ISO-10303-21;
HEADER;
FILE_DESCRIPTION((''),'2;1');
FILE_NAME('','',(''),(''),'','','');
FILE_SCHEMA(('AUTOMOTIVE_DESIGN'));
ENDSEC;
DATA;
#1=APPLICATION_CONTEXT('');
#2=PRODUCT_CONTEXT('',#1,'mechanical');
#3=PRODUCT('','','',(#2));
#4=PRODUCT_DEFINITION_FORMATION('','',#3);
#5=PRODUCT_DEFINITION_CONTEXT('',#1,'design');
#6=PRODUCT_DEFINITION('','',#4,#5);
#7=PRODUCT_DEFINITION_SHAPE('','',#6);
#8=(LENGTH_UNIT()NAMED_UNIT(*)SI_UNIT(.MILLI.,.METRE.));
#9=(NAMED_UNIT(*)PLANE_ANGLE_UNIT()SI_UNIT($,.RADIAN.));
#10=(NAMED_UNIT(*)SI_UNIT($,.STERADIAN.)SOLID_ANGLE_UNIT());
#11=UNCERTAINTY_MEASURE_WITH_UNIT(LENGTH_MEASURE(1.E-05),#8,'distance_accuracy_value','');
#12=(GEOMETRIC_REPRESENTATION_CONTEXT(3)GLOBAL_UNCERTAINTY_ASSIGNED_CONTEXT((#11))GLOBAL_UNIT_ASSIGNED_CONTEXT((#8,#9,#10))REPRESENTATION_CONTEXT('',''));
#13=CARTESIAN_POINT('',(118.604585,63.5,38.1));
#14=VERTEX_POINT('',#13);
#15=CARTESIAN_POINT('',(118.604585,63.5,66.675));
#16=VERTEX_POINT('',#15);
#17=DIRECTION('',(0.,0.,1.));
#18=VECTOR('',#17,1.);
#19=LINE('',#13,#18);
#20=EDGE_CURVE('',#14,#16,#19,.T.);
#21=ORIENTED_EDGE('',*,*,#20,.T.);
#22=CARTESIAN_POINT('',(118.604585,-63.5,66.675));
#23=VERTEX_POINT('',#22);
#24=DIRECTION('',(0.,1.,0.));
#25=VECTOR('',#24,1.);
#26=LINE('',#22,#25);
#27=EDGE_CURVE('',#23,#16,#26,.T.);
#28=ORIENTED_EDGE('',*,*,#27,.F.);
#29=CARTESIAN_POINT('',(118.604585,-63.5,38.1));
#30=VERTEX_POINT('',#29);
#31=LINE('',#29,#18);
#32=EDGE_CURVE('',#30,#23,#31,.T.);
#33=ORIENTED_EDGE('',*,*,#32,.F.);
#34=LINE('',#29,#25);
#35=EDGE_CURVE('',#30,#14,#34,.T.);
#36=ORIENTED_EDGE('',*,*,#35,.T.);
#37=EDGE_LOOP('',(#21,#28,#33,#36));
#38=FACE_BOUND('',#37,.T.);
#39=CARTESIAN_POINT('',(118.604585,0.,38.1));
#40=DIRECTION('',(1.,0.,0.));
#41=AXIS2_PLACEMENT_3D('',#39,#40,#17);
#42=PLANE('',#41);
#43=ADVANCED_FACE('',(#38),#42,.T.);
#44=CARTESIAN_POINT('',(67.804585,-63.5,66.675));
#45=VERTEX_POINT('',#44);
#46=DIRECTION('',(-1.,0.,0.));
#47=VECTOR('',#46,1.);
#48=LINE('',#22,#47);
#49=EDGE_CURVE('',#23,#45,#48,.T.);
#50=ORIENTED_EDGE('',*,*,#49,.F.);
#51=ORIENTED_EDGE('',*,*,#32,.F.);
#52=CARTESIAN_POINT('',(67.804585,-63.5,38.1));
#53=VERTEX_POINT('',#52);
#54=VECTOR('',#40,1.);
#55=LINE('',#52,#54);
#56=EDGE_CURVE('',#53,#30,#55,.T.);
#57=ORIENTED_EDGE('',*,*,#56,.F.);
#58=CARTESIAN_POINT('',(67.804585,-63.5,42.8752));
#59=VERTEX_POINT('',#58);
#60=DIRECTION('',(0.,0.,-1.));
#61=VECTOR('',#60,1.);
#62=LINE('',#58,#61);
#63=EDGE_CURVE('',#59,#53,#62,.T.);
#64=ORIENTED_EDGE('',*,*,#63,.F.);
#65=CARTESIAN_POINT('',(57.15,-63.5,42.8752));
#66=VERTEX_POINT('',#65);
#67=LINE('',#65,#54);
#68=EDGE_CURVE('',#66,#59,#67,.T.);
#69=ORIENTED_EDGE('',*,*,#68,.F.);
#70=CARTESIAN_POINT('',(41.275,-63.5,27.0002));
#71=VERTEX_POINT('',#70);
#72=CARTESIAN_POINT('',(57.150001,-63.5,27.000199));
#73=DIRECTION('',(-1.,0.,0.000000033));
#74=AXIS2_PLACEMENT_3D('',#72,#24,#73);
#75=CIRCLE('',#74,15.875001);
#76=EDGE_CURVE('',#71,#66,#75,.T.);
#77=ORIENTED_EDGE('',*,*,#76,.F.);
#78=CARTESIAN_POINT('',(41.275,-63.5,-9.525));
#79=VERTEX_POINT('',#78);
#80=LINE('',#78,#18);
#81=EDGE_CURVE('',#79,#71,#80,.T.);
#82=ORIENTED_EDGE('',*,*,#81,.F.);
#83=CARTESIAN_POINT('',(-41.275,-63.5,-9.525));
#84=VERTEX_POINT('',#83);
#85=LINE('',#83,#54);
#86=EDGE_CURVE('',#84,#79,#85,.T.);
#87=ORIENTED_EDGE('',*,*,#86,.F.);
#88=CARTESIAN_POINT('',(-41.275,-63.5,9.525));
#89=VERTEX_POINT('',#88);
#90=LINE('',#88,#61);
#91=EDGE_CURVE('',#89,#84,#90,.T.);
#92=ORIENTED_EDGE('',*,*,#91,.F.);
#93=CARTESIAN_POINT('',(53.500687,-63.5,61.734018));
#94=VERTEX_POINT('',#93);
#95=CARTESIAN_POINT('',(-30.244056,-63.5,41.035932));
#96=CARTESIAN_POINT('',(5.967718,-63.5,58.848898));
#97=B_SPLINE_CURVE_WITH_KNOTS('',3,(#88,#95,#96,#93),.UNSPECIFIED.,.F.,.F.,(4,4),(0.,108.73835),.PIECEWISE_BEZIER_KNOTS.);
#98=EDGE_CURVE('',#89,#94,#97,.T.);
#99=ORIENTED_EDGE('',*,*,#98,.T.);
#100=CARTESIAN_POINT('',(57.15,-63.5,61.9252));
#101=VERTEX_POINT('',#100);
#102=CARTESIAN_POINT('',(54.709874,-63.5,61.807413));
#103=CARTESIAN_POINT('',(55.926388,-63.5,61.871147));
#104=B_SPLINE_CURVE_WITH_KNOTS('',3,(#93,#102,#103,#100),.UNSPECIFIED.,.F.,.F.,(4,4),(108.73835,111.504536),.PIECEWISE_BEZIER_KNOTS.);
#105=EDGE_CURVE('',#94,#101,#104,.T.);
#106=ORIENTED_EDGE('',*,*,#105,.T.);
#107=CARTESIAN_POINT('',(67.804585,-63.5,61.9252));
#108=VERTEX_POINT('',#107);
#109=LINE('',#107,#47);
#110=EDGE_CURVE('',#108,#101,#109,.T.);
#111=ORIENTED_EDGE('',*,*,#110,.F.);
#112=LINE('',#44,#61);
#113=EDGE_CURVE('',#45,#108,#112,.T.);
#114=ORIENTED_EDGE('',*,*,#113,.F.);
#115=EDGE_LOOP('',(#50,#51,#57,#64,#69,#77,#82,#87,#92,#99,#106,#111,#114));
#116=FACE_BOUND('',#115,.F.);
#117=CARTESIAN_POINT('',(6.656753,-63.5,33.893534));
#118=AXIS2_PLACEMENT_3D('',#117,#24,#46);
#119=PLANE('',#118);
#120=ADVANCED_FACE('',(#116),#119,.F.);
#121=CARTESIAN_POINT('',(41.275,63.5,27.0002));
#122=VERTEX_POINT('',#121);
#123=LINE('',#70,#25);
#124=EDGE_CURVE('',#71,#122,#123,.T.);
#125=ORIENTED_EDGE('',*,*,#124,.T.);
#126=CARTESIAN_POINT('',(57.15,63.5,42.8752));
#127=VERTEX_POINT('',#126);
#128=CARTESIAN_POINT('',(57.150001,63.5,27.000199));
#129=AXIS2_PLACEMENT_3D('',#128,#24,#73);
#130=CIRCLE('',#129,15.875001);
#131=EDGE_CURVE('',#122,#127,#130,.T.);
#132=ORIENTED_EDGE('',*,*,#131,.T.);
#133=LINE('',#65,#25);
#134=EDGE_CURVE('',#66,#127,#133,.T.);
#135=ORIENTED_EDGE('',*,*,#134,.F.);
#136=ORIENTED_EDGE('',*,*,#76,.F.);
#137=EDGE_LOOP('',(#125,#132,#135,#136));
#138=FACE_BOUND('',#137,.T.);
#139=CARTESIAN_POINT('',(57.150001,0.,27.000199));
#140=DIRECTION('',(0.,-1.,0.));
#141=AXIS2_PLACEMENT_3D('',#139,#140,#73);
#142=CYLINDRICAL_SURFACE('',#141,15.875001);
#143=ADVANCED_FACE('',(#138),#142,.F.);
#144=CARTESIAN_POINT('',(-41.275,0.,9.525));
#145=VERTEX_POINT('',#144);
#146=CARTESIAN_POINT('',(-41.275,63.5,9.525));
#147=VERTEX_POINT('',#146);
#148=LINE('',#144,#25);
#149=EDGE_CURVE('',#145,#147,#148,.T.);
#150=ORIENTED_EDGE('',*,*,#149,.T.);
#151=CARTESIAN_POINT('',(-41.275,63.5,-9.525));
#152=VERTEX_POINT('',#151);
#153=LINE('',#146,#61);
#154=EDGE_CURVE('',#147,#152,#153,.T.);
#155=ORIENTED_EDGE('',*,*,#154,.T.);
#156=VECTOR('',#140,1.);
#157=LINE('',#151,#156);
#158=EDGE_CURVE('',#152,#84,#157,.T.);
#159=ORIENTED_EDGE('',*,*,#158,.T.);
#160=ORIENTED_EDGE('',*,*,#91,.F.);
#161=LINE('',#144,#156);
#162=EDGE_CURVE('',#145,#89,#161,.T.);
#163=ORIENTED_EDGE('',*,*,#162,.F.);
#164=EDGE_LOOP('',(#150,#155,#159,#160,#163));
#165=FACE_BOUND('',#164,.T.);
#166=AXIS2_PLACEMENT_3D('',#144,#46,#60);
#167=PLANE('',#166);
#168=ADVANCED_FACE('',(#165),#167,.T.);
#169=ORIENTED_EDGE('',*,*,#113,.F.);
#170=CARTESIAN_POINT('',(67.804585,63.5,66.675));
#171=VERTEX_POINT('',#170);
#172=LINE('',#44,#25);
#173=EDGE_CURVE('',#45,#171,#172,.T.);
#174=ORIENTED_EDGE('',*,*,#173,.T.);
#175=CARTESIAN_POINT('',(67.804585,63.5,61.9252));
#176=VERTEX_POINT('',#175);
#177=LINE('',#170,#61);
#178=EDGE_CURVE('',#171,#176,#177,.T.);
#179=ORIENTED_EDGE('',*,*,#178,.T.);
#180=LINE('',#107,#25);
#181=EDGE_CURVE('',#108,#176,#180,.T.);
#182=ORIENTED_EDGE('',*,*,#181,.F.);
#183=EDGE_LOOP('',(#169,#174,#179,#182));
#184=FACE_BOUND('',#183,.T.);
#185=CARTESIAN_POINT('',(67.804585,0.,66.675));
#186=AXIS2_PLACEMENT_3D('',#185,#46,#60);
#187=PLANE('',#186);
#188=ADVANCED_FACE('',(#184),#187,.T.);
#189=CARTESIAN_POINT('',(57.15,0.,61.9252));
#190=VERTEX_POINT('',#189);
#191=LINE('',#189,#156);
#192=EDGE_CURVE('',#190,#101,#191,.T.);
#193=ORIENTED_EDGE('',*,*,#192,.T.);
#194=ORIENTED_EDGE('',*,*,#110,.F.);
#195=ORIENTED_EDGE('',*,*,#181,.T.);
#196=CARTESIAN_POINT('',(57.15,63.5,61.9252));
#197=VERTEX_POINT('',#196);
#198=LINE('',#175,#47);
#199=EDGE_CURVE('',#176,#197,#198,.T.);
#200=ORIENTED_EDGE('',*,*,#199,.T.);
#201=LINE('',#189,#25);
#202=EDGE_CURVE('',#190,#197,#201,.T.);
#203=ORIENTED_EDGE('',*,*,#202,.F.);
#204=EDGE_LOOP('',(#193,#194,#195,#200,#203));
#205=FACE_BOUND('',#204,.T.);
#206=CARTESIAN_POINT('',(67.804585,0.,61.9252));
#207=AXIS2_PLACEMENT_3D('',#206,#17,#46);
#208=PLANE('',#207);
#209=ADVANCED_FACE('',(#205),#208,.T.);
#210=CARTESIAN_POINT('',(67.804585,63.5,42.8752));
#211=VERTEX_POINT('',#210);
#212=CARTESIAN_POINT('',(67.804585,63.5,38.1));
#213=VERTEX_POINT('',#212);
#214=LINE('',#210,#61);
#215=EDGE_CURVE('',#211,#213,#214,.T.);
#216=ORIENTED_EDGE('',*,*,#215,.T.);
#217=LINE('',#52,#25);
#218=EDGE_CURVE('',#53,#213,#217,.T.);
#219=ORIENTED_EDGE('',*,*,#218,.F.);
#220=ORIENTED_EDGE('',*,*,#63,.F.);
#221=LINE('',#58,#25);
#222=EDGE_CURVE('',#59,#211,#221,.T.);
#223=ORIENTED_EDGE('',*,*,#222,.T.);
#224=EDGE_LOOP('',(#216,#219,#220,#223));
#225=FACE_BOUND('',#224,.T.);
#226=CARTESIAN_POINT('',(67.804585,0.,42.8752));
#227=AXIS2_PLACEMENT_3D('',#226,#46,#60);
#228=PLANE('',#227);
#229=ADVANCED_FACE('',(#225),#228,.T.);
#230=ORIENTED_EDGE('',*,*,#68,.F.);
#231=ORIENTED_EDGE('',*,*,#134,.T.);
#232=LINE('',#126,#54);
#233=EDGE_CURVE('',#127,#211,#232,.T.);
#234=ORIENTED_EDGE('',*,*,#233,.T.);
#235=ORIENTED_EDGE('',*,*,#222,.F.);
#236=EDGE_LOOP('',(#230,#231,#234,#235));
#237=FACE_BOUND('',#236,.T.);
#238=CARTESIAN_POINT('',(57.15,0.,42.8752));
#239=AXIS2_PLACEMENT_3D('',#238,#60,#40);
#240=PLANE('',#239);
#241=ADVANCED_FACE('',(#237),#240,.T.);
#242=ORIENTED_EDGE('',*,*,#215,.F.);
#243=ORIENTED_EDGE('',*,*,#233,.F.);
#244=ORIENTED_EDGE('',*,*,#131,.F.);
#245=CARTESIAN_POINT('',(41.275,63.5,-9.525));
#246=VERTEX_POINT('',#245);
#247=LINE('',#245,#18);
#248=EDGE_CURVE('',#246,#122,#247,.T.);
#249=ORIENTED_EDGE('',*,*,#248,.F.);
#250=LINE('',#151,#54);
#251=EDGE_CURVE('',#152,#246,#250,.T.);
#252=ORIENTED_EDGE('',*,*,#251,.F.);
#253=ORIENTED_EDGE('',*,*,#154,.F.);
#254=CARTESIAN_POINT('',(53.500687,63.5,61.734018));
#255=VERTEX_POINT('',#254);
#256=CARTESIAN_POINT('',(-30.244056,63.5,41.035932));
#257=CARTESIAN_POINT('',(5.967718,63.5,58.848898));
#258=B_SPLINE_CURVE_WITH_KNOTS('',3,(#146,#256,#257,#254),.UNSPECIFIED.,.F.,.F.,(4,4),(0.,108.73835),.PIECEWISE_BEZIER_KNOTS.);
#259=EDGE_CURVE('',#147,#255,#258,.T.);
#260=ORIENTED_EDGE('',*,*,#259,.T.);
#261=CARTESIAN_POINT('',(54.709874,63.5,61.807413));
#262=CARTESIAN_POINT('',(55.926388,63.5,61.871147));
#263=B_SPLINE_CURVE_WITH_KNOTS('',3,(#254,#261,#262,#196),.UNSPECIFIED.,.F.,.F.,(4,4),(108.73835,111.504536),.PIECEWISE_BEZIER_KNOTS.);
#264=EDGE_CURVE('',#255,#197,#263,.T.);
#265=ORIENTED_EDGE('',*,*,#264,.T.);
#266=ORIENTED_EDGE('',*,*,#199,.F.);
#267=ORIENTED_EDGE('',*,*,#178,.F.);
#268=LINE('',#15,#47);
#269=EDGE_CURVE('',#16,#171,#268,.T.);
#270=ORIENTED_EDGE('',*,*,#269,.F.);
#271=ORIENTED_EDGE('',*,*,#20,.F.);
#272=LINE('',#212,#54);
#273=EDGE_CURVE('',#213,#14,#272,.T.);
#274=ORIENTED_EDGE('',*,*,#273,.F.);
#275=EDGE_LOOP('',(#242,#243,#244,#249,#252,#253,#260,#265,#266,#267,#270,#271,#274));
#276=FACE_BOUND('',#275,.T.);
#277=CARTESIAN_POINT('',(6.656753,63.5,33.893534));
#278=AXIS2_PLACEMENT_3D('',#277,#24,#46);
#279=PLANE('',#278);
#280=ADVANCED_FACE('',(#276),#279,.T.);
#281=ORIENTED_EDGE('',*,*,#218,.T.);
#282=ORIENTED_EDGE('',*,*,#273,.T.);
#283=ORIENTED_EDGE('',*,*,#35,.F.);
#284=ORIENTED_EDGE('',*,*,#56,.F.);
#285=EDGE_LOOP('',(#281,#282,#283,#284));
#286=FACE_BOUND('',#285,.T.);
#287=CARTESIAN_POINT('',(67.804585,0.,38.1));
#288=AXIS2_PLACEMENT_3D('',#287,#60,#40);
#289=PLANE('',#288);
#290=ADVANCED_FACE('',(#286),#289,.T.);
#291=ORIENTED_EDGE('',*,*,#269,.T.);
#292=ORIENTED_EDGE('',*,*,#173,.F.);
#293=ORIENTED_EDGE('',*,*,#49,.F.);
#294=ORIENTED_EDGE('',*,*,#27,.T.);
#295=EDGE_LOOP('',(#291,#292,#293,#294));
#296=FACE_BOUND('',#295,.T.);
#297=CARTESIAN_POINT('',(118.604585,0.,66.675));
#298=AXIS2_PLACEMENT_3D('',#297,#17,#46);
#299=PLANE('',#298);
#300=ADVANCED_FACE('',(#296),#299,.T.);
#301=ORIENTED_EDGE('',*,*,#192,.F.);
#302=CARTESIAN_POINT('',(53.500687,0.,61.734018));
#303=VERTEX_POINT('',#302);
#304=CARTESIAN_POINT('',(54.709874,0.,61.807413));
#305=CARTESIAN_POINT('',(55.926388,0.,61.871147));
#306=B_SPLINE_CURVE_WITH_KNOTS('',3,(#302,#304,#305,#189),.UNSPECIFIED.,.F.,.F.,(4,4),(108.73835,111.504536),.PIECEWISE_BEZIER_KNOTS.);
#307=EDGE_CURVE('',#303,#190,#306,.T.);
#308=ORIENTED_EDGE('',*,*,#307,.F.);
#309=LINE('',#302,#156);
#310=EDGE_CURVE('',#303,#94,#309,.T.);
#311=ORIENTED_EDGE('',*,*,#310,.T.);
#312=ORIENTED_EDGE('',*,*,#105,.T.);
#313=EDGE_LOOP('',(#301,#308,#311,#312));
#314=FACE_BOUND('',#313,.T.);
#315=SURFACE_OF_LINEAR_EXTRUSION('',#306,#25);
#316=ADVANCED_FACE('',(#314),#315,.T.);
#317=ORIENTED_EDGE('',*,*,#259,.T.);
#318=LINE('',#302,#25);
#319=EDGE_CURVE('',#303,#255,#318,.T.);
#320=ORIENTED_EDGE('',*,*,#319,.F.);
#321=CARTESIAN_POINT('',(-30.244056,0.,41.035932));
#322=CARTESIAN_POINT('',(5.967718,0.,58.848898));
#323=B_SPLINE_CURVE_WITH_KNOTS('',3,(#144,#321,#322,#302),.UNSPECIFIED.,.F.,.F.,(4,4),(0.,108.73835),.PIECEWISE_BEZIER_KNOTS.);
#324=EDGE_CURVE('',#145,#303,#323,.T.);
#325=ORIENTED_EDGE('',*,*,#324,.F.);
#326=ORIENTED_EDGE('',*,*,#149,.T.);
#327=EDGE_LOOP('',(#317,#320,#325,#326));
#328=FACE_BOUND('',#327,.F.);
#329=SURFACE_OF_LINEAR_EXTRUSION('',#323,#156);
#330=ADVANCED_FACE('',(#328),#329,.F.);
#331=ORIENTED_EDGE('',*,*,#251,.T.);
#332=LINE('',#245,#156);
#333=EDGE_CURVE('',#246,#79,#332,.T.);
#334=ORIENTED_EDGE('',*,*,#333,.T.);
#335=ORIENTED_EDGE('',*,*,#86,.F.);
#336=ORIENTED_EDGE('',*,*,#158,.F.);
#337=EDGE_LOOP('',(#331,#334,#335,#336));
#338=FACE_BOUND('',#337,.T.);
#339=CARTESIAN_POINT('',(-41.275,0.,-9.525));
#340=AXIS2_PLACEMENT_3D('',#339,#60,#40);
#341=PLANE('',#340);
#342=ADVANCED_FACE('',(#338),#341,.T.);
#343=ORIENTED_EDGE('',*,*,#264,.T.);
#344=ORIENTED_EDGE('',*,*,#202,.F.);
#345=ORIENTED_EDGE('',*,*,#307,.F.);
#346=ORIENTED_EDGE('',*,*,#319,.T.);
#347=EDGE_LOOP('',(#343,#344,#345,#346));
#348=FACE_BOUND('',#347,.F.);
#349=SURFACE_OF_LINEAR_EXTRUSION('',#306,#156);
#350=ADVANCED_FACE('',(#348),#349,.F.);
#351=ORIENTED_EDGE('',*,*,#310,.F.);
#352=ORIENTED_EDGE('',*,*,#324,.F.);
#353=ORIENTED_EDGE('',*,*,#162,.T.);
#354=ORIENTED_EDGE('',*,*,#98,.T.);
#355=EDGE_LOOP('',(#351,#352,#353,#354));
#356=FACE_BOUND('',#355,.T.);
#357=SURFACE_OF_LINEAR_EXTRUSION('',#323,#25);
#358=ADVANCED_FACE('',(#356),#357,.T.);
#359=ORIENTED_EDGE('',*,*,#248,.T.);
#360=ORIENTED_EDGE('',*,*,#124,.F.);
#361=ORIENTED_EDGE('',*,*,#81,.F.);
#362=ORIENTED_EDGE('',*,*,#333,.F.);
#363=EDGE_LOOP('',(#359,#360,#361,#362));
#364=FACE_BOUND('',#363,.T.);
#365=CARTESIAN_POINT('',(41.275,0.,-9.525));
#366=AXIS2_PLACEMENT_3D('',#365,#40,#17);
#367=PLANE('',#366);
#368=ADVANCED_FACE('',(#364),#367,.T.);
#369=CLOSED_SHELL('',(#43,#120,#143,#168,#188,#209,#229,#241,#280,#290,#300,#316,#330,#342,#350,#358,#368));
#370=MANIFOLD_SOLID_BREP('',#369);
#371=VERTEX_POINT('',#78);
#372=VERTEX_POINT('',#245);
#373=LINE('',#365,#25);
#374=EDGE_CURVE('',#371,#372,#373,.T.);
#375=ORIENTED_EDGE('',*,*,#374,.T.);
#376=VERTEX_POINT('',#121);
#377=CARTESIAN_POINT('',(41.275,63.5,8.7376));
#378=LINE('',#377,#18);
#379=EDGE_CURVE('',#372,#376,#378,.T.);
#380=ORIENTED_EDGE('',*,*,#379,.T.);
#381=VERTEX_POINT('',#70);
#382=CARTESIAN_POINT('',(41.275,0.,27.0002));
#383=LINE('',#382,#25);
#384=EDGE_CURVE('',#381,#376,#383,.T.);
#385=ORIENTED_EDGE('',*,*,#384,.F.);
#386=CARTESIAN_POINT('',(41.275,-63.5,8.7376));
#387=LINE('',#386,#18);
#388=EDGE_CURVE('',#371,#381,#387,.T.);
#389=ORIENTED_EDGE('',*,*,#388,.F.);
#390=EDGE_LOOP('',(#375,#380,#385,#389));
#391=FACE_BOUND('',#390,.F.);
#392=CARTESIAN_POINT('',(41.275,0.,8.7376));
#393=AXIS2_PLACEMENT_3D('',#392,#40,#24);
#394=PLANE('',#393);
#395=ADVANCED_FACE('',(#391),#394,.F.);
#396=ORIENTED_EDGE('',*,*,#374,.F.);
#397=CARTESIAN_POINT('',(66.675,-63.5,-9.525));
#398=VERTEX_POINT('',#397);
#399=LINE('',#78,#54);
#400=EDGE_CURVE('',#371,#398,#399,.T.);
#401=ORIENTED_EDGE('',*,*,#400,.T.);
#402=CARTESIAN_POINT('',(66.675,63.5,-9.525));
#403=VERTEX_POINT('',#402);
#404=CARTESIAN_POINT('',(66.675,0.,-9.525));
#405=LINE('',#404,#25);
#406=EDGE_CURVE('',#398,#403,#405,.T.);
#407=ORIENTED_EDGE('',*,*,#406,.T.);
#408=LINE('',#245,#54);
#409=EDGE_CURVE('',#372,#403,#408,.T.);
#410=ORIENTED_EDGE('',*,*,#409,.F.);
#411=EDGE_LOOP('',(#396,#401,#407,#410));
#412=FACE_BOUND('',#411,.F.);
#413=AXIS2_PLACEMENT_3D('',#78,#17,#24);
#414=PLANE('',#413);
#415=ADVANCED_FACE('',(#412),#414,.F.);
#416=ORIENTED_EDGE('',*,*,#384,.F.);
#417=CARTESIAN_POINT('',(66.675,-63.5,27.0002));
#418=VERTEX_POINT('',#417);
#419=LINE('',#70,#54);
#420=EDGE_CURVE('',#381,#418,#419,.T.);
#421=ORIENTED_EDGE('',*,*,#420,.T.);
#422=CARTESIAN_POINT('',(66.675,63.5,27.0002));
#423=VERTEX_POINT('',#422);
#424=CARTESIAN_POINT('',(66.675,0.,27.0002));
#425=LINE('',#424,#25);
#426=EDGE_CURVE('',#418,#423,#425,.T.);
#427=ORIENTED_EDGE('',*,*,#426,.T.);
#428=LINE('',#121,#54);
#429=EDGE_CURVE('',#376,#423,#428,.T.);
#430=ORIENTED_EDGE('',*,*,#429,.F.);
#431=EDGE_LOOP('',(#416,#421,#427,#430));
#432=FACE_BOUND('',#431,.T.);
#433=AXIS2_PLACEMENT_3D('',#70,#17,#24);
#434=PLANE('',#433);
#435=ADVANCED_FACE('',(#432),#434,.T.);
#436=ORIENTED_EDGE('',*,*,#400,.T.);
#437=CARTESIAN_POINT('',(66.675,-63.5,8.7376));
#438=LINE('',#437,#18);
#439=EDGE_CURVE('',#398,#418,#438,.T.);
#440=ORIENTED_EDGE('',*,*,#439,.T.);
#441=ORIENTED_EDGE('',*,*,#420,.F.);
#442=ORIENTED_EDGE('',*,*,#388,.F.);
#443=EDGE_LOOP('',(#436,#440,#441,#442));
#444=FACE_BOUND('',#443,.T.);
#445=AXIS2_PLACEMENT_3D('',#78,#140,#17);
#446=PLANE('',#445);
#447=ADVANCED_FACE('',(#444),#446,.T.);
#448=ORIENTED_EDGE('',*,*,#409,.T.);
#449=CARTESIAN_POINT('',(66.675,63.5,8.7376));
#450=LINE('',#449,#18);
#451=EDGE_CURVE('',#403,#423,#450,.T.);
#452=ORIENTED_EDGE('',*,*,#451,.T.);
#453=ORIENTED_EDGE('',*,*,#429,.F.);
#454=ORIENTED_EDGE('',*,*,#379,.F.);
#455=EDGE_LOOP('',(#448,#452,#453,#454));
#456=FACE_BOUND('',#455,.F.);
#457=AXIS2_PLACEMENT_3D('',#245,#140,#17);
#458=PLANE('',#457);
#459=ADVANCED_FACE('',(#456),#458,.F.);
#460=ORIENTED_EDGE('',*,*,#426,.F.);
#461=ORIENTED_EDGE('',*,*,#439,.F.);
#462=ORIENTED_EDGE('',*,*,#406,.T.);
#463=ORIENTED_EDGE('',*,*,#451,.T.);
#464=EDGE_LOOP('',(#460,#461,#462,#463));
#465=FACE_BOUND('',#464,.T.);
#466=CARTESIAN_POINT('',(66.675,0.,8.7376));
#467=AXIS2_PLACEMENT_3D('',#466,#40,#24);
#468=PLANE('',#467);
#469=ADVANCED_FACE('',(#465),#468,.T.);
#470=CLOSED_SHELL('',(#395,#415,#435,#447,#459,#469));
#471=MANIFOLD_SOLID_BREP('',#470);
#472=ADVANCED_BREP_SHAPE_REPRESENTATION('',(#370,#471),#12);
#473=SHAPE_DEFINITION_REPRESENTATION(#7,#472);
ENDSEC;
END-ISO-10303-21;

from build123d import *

# Parameters (mm, degrees)
F1_DEPTH  = 63.5
F1_FACE_W = 127
F1_FACE_H = 36.5252
F2_DEPTH  = 25.4


with BuildPart() as f1:
    # F0 (on Front) → F1 (new body, symmetric)
    with BuildSketch(Plane.XZ):
        with BuildLine():
            add(Edge.make_bspline(
                [(-41.275, 9.525), (-30.244056, 41.035932), (5.967718, 58.848898), (53.500687, 61.734018)],
                knots=[0, 0, 0, 0, 108.73835, 108.73835, 108.73835, 108.73835], degree=3))
            Line((-41.275, 9.525), (22.225, 9.525))
            Line((22.225, 9.525), (22.225, 27.0002))
            ThreePointArc((22.225, 27.0002), (31.196119, 50.370088), (53.500687, 61.734018))
        make_face()
        with BuildLine():
            Line((22.225, 9.525), (41.275, 9.525))
            Line((41.275, 9.525), (41.275, 27.0002))
            ThreePointArc((41.275, 27.0002), (45.92468, 38.22552), (57.15, 42.8752))
            Line((57.15, 42.8752), (67.804585, 42.8752))
            Line((67.804585, 42.8752), (67.804585, 61.9252))
            Line((67.804585, 61.9252), (57.15, 61.9252))
            add(Edge.make_bspline(
                [(53.500687, 61.734018), (54.709874, 61.807413), (55.926388, 61.871147), (57.15, 61.9252)],
                knots=[108.73835, 108.73835, 108.73835, 108.73835, 111.504536, 111.504536, 111.504536, 111.504536], degree=3))
            ThreePointArc((53.500687, 61.734018), (31.196119, 50.370088), (22.225, 27.0002))
            Line((22.225, 27.0002), (22.225, 9.525))
        make_face()
        Polygon((67.804585, 66.675), (67.804585, 61.9252), (67.804585, 42.8752), (67.804585, 38.1), (118.604585, 38.1), (118.604585, 66.675), align=None)
        Polygon((-41.275, 9.525), (-41.275, -9.525), (41.275, -9.525), (41.275, 9.525), (22.225, 9.525), align=None)
    extrude(amount=F1_DEPTH, both=True)


with BuildPart() as f2:
    # F1_face (on face) → F2 (new body)
    with BuildSketch(Plane(origin=(41.275, 0, 8.7376), x_dir=(0, 1, 0), z_dir=(1, 0, 0))):
        Rectangle(F1_FACE_W, F1_FACE_H)
    extrude(amount=F2_DEPTH)


solid = Compound([f1.part, f2.part])
